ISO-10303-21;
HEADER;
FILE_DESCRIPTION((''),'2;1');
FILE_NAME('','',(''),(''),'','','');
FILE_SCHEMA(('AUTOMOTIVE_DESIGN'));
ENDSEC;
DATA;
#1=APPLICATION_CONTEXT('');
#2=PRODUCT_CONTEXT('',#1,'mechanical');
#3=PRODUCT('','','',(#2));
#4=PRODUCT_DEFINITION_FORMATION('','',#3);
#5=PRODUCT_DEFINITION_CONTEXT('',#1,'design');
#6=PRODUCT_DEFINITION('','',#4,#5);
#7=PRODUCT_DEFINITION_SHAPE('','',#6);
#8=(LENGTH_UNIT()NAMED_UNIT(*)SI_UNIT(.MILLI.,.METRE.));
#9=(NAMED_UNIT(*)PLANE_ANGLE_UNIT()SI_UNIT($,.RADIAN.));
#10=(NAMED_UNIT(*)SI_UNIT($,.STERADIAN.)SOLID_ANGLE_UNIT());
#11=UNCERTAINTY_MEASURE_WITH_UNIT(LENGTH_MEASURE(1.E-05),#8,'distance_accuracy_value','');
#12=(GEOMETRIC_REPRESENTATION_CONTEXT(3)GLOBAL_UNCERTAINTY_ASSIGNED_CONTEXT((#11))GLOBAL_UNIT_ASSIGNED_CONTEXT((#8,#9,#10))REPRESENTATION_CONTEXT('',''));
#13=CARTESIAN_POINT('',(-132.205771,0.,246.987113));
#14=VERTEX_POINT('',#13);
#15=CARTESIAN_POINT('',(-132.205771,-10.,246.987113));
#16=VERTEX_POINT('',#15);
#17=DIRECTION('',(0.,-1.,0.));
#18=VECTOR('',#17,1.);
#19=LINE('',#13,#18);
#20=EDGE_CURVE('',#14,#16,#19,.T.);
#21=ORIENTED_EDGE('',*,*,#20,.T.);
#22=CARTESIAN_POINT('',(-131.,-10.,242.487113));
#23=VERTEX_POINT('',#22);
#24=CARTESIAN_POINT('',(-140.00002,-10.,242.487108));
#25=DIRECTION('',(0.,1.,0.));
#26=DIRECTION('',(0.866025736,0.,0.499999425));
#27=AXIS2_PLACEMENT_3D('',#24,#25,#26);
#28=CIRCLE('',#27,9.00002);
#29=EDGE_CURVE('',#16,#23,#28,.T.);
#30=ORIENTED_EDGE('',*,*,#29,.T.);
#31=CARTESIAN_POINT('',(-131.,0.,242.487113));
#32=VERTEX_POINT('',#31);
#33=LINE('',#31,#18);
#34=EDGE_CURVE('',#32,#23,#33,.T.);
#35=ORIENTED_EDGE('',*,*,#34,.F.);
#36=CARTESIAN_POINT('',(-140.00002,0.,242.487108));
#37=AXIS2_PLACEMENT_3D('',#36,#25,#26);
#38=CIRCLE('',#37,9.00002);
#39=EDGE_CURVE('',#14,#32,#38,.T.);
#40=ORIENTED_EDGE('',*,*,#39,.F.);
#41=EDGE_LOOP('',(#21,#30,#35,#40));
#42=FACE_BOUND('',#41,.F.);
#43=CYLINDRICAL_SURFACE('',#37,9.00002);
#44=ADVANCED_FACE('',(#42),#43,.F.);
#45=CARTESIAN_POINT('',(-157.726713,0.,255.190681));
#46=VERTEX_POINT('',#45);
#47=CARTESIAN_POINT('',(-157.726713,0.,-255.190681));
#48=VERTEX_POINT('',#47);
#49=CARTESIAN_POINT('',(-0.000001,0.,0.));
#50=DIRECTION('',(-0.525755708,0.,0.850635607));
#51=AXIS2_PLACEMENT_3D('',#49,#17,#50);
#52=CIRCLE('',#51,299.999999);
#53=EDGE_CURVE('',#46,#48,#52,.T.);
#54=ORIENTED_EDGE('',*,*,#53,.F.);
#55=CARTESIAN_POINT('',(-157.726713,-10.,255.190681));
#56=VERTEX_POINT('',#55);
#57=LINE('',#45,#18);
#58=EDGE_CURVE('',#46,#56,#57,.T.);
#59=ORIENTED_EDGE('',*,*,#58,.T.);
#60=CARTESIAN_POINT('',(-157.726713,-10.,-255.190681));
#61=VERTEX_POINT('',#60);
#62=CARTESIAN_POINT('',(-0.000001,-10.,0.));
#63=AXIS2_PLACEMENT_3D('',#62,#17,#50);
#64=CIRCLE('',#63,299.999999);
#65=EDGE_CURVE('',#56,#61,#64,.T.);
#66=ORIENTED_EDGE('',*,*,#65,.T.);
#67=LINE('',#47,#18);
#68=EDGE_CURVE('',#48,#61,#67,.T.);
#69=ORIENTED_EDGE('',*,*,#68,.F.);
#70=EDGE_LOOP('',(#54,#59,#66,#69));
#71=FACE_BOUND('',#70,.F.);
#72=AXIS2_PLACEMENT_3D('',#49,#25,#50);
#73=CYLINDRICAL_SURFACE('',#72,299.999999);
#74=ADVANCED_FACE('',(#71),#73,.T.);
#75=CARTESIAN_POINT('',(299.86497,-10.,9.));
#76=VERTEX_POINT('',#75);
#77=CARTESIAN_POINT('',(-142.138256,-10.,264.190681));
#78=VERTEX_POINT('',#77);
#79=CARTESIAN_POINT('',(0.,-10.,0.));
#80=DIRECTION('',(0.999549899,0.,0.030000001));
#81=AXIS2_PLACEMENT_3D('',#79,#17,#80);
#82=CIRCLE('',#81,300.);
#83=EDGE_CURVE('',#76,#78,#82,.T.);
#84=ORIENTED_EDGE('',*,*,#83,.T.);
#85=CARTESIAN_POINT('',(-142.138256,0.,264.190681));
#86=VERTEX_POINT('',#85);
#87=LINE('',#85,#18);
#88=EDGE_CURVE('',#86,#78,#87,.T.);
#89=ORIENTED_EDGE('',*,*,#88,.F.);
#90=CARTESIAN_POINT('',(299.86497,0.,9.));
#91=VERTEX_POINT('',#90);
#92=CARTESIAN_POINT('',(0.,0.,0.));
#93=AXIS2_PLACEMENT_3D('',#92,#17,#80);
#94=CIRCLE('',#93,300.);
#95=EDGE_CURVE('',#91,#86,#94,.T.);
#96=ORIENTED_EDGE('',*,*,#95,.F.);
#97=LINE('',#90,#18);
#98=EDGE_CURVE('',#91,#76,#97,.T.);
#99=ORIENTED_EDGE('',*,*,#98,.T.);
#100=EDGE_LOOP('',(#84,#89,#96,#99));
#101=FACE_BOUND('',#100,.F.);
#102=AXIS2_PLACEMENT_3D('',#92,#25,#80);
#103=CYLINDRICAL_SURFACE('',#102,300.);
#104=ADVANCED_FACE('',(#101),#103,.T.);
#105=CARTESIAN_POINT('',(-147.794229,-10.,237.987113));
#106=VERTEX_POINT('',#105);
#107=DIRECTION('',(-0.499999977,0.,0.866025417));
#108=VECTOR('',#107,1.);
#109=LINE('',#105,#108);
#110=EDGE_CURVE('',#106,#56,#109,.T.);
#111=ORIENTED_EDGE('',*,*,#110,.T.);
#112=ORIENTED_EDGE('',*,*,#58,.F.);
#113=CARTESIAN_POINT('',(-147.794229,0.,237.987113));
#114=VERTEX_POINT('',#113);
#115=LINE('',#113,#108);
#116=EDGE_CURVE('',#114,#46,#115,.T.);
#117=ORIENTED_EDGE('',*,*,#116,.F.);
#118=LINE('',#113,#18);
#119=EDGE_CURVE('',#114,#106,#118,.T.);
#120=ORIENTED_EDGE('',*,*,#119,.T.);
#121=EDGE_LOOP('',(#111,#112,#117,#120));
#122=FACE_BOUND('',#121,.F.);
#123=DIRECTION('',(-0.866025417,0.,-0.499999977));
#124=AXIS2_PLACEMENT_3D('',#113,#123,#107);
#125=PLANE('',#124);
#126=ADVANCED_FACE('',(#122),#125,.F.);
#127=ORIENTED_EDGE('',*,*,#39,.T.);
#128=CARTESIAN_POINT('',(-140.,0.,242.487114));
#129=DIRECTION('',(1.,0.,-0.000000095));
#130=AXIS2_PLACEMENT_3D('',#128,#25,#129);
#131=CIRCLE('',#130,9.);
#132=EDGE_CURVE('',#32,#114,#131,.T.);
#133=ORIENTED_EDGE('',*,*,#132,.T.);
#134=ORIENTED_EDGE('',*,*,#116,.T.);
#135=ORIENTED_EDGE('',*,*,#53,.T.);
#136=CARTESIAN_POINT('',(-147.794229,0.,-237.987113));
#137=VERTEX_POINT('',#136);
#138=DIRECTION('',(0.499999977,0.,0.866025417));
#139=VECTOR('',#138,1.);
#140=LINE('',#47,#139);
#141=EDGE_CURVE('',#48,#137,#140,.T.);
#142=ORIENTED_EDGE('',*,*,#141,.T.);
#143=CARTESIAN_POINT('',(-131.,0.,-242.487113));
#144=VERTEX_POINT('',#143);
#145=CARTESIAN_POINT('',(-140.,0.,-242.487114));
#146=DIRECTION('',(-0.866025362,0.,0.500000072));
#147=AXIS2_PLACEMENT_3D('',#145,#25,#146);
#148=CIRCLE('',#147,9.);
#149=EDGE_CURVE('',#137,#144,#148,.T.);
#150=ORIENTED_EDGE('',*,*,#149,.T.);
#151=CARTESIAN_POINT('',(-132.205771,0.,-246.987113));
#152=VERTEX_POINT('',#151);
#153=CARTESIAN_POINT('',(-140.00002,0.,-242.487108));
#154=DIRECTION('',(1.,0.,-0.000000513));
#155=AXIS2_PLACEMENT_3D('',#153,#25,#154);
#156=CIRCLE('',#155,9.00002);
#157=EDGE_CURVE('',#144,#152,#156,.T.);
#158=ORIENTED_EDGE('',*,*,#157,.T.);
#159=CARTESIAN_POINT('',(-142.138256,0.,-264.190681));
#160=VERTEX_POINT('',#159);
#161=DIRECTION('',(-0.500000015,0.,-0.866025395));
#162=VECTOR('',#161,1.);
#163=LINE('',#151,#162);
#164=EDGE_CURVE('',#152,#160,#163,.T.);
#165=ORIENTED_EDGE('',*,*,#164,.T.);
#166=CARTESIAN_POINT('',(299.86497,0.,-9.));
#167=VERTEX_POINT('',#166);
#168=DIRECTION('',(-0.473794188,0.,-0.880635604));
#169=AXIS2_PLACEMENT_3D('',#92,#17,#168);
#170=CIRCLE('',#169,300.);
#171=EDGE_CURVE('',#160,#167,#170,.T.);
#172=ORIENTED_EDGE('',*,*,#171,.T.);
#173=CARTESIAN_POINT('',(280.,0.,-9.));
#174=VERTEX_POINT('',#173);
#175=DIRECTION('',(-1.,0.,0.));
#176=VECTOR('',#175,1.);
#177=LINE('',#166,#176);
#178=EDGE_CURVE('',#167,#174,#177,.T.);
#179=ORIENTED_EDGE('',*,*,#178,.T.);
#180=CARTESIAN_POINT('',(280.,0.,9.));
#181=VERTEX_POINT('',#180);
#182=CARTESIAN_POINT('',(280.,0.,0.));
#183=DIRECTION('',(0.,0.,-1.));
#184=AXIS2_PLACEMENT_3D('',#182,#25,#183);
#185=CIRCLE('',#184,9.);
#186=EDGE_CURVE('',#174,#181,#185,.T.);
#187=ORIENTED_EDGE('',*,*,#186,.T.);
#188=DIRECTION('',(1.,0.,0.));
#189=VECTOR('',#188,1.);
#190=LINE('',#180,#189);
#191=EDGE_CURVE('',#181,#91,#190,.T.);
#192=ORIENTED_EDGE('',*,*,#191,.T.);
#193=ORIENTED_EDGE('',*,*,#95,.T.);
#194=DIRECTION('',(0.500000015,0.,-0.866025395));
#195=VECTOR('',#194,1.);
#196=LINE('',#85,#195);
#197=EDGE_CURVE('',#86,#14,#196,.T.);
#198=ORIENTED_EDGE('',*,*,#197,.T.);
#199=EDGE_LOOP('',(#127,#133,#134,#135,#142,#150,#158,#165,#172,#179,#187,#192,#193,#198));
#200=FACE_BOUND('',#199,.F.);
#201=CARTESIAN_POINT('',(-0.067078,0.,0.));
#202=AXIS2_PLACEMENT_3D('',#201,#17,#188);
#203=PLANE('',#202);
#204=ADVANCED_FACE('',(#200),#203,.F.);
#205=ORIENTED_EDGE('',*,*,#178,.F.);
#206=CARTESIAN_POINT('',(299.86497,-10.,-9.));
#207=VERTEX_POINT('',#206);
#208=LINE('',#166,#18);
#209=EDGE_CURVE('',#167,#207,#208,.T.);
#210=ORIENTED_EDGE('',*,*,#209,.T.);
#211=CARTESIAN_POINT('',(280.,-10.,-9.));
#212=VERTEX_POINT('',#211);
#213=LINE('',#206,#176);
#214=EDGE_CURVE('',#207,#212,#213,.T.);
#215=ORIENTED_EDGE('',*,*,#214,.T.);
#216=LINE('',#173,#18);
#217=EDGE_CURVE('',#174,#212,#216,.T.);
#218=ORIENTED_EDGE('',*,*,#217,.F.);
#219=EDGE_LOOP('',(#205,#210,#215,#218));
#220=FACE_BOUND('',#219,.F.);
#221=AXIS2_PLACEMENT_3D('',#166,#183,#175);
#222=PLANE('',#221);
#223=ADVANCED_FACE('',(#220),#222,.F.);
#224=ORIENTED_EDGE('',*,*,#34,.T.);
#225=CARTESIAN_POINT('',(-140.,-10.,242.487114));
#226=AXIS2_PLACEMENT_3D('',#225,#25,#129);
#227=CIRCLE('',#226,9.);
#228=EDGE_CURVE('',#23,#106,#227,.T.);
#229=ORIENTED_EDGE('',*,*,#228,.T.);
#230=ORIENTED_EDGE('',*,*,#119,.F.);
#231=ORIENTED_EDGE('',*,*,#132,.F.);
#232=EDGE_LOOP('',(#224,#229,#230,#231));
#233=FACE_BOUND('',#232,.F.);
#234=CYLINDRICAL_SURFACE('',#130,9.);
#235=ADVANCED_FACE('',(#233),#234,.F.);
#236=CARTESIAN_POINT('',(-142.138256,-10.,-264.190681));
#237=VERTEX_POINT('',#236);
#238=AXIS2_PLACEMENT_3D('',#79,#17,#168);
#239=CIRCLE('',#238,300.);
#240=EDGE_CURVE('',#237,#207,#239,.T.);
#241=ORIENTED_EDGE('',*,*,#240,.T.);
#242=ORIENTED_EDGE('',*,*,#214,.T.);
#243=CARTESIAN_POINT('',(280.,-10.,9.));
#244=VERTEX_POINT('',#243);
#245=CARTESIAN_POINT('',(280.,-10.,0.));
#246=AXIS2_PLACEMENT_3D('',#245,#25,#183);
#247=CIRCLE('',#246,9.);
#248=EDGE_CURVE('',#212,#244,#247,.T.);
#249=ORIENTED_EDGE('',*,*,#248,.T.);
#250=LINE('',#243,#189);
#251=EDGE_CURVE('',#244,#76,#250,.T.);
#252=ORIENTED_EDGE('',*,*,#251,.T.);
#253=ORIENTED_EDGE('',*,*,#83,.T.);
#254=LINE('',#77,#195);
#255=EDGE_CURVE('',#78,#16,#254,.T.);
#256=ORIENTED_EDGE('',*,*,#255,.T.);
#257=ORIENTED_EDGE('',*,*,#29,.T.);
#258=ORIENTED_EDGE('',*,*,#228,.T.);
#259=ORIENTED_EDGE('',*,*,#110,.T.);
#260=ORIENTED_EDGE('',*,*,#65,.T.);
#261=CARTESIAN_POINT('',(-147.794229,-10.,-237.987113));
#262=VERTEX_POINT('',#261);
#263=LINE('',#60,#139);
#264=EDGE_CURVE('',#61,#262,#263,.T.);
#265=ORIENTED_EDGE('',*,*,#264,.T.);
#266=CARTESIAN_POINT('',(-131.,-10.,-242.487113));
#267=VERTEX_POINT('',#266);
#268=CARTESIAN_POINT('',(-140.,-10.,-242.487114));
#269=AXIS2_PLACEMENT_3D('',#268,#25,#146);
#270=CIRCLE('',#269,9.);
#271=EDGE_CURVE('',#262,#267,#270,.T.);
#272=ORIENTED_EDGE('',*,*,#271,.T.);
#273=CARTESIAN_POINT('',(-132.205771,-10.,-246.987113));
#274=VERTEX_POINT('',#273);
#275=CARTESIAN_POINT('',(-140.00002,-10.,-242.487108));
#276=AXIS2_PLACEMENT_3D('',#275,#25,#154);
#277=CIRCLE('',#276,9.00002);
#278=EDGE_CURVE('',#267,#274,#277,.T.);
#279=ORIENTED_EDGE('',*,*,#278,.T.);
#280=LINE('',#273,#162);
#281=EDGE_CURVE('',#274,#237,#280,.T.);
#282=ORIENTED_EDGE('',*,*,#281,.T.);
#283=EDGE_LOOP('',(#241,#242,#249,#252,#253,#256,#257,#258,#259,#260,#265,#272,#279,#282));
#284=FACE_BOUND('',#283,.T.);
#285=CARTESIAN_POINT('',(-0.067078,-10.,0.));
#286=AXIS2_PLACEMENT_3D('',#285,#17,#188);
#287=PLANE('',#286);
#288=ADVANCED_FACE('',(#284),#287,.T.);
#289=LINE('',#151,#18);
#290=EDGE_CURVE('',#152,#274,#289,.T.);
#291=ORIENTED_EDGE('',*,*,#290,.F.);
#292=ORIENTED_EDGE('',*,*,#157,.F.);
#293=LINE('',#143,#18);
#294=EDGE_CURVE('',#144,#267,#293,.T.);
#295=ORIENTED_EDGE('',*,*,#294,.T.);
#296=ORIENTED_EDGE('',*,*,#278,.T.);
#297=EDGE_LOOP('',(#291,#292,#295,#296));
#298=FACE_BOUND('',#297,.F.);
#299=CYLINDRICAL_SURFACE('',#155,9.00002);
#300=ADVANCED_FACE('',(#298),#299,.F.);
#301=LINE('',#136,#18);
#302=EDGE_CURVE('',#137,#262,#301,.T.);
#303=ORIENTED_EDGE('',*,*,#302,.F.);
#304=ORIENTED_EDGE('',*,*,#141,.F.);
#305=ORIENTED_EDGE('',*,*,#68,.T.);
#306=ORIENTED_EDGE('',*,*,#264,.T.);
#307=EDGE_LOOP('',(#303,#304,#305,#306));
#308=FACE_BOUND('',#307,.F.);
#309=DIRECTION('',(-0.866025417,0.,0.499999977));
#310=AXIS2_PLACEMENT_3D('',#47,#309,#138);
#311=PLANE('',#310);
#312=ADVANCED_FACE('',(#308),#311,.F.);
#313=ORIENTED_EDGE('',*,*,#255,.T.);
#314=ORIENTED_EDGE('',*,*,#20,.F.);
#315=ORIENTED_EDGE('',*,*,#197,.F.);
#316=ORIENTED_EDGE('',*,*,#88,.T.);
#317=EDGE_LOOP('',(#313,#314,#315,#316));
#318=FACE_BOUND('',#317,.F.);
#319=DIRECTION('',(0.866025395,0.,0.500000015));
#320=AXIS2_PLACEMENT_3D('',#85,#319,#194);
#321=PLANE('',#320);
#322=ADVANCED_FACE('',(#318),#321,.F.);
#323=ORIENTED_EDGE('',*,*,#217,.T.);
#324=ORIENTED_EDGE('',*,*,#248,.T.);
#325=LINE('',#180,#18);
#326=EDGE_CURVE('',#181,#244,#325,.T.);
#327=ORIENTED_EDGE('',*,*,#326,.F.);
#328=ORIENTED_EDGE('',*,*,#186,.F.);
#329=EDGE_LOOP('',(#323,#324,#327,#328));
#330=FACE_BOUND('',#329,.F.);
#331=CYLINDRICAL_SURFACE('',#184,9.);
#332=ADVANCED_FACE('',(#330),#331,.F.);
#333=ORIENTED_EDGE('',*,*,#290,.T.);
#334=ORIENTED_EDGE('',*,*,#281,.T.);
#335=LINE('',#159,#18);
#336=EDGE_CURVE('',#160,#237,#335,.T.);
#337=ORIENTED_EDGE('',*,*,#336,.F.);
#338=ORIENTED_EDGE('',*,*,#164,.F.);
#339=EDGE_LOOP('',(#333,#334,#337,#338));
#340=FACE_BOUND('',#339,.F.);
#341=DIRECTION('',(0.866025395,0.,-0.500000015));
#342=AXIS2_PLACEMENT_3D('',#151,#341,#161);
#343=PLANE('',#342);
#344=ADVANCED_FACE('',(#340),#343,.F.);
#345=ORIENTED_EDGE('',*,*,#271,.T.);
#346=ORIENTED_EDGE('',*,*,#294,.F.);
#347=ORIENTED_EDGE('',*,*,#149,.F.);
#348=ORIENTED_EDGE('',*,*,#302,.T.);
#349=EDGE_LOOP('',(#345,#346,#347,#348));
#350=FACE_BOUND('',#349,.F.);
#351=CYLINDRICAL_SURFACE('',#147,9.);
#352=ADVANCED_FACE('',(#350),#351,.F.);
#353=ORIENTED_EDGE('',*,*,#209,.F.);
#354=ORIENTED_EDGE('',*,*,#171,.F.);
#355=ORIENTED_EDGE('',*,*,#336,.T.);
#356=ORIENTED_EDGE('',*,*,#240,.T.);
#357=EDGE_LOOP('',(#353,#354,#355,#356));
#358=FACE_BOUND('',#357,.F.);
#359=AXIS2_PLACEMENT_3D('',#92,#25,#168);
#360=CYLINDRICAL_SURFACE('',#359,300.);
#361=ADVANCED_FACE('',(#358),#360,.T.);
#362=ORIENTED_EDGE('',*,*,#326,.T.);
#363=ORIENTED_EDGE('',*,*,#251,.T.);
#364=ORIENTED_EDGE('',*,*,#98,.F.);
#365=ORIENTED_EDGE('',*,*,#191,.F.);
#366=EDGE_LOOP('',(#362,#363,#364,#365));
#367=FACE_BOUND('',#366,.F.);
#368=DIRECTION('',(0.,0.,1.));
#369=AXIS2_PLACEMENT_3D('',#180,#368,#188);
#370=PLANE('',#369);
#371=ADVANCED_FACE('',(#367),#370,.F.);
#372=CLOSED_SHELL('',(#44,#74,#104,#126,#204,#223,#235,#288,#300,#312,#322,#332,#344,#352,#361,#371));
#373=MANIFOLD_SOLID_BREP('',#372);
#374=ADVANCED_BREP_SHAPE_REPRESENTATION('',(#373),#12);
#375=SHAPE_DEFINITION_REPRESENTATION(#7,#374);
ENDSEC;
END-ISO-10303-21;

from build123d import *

# Parameters (mm, degrees)
F1_DEPTH = 10


with BuildPart() as f1:
    # F0 (on Front) → F1 (new body)
    with BuildSketch(Plane.XZ):
        with BuildLine():
            Line((280, 9), (299.86497, 9))
            ThreePointArc((299.86497, 9), (150, 259.807621), (-142.138256, 264.190681))
            Line((-142.138256, 264.190681), (-132.205771, 246.987113))
            ThreePointArc((-132.205771, 246.987113), (-131.306668, 244.816484), (-131, 242.487113))
            ThreePointArc((-131, 242.487113), (-137.670629, 233.793781), (-147.794229, 237.987113))
            Line((-147.794229, 237.987113), (-157.726713, 255.190681))
            ThreePointArc((-157.726713, 255.190681), (-300, 0), (-157.726713, -255.190681))
            Line((-157.726713, -255.190681), (-147.794229, -237.987113))
            ThreePointArc((-147.794229, -237.987113), (-137.670629, -233.793781), (-131, -242.487113))
            ThreePointArc((-131, -242.487113), (-131.306668, -244.816484), (-132.205771, -246.987113))
            Line((-132.205771, -246.987113), (-142.138256, -264.190681))
            ThreePointArc((-142.138256, -264.190681), (150, -259.807621), (299.86497, -9))
            Line((299.86497, -9), (280, -9))
            ThreePointArc((280, -9), (271, 0), (280, 9))
        make_face()
    extrude(amount=F1_DEPTH)


solid = f1.part
